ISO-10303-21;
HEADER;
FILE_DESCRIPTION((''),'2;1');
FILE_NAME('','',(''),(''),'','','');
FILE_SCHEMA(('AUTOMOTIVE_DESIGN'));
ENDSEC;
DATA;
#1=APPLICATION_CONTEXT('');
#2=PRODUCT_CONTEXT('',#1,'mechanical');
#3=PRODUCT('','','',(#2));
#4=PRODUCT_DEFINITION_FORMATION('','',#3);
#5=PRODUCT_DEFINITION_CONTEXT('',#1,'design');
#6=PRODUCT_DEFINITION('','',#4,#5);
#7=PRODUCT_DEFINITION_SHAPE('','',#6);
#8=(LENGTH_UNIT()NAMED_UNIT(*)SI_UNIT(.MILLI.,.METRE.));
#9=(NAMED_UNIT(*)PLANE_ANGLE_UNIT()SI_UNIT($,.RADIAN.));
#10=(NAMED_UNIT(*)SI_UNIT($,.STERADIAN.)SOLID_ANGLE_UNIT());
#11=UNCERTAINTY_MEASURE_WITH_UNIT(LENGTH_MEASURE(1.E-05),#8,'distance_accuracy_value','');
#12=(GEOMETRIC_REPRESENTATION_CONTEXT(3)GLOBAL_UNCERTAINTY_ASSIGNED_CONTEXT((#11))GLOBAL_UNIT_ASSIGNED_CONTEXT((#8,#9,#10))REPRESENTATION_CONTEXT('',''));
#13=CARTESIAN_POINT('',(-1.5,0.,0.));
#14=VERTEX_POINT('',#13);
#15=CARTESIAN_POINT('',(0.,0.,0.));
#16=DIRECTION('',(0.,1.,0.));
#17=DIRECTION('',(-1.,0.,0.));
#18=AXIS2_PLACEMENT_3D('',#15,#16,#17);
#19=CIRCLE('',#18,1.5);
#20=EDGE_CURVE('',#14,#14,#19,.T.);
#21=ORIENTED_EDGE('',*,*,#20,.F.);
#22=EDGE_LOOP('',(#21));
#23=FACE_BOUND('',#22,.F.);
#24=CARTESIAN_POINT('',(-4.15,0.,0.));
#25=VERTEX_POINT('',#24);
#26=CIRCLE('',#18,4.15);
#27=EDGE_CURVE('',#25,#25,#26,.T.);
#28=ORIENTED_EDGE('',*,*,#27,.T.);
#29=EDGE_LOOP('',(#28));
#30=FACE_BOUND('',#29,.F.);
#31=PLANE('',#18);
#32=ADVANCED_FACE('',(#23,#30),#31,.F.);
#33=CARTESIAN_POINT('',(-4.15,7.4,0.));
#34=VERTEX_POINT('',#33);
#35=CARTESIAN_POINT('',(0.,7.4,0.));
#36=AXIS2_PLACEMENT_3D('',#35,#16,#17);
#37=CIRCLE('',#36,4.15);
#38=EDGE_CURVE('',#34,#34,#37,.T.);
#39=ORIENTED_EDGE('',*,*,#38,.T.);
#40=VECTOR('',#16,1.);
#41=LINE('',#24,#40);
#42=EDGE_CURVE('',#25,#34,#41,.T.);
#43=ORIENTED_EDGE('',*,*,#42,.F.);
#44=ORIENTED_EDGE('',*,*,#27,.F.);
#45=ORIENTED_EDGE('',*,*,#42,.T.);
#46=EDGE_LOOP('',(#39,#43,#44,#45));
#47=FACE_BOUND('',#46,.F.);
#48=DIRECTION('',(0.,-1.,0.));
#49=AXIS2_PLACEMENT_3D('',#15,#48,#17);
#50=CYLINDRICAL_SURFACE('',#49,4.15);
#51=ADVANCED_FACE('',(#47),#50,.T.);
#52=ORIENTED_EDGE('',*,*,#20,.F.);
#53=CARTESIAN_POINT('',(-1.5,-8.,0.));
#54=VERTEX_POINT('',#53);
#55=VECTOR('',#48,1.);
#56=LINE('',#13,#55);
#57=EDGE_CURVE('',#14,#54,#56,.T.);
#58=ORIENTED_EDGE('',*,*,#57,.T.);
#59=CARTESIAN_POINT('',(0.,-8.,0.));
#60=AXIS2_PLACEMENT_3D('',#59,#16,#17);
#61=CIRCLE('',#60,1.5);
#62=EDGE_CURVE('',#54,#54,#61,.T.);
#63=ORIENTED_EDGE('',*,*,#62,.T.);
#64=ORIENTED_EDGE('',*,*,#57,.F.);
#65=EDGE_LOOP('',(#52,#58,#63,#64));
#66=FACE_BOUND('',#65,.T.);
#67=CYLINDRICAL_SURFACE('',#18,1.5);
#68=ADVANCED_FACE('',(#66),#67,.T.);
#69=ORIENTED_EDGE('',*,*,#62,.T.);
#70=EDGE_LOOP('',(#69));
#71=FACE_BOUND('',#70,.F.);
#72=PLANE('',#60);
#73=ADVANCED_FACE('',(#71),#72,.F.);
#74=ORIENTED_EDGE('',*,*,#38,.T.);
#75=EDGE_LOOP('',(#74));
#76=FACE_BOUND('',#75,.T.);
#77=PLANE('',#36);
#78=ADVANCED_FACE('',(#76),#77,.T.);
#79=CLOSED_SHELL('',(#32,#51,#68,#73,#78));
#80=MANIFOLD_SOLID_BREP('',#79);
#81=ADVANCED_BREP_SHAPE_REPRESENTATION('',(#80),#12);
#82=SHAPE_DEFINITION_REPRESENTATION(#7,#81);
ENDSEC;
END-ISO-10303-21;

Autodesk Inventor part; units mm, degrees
ref_plane "YZ Plane" through (0, 0, 0) normal (1, 0, 0) x (0, 1, 0)
ref_plane "XZ Plane" through (0, 0, 0) normal (0, 1, 0) x (-1, 0, 0)
ref_plane "XY Plane" through (0, 0, 0) normal (0, 0, 1) x (1, 0, 0)
sketch "Sketch1" plane through (0, 0, 0) normal (0, 1, 0) x (-1, 0, 0)
  circle A0 centre (0, 0) radius 1.5
  circle A1 centre (0, 0) radius 4.15
  dimension "d0" = 3
  dimension "d1" = 8.3
extrude "Extrusion1" add sketch "Sketch1" along normal blind 7.4 contours A0 | A1
extrude "Extrusion2" add sketch "Sketch1" against normal blind 8 contours A0
properties part number "Dremel Mount 3mm"
